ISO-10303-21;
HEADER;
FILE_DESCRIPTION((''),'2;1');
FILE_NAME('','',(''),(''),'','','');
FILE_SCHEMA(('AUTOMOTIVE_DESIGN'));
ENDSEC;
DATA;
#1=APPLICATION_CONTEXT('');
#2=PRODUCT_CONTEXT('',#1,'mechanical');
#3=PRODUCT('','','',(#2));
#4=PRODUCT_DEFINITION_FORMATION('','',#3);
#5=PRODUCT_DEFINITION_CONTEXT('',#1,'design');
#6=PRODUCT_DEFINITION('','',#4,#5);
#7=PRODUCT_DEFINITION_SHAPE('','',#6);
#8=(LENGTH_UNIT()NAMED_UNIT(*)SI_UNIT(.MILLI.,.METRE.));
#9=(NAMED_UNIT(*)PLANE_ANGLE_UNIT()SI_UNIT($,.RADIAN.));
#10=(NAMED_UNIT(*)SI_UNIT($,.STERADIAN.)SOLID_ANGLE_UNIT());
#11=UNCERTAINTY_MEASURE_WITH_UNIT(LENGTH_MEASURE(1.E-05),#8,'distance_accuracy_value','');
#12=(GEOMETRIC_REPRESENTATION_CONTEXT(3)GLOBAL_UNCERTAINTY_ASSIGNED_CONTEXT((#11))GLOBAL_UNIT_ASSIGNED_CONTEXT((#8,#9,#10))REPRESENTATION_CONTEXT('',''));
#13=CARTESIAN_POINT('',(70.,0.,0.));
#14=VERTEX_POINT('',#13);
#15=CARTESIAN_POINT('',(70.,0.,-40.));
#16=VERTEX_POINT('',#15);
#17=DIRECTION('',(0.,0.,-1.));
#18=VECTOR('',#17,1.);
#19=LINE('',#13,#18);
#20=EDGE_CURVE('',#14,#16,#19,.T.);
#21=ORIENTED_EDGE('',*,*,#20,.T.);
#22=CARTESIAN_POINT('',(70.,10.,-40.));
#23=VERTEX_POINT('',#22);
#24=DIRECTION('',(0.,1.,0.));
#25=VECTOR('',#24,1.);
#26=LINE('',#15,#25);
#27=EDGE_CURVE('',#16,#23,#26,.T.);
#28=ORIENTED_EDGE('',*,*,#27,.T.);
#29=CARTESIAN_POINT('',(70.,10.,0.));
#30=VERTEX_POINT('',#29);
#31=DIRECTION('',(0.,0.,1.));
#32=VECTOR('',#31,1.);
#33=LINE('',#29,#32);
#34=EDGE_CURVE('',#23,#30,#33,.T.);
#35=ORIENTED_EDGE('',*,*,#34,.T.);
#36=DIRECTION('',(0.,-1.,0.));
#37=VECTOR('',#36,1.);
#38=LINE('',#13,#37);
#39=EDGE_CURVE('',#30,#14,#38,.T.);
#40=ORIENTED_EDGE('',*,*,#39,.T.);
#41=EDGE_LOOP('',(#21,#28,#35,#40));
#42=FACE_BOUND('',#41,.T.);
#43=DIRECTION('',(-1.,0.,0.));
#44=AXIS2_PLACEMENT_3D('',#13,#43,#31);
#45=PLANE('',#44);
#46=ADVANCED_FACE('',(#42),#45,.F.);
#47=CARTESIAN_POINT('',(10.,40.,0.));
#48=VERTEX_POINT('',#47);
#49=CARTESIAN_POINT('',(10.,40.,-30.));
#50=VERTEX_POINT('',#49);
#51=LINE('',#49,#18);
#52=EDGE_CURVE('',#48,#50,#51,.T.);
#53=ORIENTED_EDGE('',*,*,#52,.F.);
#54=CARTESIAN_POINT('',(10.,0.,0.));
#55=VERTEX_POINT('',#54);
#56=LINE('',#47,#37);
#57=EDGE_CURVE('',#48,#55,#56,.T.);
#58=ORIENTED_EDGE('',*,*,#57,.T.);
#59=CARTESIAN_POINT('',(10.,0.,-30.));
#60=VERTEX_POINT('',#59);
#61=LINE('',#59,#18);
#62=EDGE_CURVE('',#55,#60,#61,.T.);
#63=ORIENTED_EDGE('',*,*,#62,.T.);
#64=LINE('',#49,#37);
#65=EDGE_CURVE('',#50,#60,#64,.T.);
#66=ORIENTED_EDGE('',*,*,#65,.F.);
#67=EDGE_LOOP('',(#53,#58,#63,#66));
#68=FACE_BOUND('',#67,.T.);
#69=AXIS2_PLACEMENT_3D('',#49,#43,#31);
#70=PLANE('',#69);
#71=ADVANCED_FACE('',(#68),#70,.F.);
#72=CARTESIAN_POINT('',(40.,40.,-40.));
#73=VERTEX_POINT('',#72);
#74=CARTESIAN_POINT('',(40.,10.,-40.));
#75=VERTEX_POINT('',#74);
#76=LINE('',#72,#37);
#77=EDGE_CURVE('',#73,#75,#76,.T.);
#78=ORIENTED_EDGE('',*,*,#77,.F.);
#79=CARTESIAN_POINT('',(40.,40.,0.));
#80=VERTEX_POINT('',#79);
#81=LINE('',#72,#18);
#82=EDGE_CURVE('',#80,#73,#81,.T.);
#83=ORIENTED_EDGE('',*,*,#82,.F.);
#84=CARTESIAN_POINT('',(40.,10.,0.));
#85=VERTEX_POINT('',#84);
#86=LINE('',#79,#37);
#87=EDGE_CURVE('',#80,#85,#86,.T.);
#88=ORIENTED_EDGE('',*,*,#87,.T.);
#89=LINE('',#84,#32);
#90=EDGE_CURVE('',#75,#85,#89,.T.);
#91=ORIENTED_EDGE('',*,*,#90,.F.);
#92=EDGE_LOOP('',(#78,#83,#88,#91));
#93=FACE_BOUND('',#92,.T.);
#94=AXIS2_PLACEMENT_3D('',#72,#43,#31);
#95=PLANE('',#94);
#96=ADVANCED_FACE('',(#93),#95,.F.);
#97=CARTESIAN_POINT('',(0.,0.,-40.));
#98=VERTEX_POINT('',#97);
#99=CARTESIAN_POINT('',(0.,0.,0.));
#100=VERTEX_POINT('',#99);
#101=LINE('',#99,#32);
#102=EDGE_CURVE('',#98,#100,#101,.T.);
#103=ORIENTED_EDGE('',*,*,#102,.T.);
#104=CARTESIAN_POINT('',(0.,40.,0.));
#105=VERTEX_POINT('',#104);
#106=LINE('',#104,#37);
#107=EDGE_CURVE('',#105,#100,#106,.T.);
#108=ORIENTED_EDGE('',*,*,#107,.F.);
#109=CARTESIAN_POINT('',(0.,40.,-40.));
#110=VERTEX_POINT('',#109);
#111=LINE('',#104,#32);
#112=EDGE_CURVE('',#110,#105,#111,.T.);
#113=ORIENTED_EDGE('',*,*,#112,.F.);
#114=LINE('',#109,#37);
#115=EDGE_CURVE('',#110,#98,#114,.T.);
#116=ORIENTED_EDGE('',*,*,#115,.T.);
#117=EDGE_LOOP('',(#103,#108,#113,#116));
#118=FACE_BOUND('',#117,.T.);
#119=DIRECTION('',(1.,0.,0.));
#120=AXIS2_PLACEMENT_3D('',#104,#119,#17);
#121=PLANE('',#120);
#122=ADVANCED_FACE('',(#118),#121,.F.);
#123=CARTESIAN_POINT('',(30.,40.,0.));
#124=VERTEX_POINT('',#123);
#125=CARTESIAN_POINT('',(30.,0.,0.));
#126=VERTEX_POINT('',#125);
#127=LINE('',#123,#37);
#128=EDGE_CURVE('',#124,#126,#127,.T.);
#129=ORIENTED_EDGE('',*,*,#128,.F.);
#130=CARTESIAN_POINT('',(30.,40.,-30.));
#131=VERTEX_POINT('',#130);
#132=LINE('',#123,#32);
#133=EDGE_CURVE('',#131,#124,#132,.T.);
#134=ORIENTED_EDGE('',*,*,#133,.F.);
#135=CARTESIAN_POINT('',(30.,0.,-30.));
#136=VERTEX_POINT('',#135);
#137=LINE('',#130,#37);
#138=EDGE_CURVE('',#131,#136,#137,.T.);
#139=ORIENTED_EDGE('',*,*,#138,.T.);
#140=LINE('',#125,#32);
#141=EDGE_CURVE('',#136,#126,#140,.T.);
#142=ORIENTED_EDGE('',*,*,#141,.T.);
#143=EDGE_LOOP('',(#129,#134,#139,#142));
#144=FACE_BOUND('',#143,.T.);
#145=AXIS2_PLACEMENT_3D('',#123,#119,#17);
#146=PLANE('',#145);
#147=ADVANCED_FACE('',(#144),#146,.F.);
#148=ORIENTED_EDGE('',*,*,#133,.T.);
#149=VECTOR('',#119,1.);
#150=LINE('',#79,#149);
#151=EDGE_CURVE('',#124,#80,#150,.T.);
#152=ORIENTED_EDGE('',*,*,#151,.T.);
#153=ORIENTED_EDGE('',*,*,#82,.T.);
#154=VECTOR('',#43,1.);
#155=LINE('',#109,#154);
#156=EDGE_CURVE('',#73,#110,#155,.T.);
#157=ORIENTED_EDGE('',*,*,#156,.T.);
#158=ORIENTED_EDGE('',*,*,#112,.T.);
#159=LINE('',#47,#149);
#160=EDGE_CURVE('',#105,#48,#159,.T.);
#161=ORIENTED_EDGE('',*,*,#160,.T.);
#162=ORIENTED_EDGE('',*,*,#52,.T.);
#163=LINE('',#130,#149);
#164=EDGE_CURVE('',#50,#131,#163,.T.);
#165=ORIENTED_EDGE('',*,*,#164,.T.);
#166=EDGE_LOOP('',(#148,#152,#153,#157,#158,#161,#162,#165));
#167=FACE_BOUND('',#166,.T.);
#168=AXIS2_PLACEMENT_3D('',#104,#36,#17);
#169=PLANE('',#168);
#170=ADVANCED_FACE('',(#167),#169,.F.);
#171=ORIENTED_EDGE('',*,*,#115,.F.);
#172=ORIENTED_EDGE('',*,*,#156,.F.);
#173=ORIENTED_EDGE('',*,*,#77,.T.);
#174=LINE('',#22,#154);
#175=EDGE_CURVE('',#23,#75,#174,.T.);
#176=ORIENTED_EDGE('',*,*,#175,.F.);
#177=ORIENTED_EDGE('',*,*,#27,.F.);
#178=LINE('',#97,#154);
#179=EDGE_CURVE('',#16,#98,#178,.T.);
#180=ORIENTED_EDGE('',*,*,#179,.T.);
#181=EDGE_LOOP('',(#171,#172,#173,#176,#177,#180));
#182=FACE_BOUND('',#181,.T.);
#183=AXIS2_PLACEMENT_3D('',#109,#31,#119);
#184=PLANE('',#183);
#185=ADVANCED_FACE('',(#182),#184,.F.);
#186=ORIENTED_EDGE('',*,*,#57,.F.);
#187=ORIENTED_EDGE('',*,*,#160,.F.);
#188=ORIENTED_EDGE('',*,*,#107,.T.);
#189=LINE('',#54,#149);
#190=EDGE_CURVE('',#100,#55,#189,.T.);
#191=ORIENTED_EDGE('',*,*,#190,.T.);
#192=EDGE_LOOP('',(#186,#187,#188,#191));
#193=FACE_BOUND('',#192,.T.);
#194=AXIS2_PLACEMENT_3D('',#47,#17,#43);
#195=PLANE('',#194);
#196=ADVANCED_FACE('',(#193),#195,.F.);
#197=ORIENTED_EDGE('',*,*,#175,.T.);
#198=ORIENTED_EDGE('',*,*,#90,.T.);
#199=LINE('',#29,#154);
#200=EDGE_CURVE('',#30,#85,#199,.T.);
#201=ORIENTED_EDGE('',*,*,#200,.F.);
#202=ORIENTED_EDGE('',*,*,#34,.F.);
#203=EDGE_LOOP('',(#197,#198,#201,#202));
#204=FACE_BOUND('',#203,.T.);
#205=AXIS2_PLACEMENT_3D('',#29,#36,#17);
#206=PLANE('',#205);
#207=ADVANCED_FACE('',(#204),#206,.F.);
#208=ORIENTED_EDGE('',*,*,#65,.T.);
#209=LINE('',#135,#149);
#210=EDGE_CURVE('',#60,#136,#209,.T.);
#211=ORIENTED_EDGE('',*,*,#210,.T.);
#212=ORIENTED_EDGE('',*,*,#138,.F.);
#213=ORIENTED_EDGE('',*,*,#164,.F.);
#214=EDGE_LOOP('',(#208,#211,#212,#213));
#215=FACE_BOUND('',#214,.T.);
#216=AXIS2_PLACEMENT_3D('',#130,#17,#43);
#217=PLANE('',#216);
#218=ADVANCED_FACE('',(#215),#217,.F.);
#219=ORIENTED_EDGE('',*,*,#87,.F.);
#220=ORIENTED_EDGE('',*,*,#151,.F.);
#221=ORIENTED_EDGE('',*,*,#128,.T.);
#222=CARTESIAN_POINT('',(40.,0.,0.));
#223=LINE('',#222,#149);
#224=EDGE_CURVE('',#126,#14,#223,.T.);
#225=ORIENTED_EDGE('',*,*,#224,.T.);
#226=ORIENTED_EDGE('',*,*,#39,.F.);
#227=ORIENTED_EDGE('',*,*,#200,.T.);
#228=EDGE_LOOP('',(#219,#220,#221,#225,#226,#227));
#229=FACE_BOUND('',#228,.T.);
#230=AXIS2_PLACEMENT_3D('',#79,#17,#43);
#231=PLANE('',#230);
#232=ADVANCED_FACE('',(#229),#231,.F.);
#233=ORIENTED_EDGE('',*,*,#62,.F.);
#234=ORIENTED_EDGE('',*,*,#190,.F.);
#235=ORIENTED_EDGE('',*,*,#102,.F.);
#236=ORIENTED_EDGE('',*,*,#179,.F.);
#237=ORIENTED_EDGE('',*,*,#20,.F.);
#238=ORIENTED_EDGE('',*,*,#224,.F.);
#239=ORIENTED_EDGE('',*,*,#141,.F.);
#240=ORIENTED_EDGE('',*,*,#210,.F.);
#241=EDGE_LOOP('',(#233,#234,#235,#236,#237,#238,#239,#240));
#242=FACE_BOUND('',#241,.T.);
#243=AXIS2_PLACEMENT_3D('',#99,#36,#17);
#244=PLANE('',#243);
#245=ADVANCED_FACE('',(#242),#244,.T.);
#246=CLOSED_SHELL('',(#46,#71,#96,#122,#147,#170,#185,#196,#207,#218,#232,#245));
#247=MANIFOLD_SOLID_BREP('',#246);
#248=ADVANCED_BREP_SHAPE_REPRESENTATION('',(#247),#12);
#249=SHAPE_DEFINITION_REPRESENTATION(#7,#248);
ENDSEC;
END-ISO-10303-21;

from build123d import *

# Parameters (mm, degrees)
BOSS_EXTRUDE1_DEPTH = 40
SKETCH2_W           = 40
SKETCH2_H           = 10
BOSS_EXTRUDE2_DEPTH = 30


with BuildPart() as part:
    # Sketch1 → Boss-Extrude1 (new body)
    with BuildSketch(Plane(origin=(0, 0, 0), x_dir=(1, 0, 0), z_dir=(0, 1, 0))):
        Polygon((0, 0), (0, 40), (40, 40), (40, 0), (30, 0), (30, 30), (10, 30), (10, 0), align=None)
    extrude(amount=BOSS_EXTRUDE1_DEPTH)

    # Sketch2 → Boss-Extrude2 (add)
    with BuildSketch(Plane(origin=(40, 0, 0), x_dir=(0, 0, -1), z_dir=(1, 0, 0))):
        with Locations((20, 5)):
            Rectangle(SKETCH2_W, SKETCH2_H)
    extrude(amount=BOSS_EXTRUDE2_DEPTH)


solid = part.part
